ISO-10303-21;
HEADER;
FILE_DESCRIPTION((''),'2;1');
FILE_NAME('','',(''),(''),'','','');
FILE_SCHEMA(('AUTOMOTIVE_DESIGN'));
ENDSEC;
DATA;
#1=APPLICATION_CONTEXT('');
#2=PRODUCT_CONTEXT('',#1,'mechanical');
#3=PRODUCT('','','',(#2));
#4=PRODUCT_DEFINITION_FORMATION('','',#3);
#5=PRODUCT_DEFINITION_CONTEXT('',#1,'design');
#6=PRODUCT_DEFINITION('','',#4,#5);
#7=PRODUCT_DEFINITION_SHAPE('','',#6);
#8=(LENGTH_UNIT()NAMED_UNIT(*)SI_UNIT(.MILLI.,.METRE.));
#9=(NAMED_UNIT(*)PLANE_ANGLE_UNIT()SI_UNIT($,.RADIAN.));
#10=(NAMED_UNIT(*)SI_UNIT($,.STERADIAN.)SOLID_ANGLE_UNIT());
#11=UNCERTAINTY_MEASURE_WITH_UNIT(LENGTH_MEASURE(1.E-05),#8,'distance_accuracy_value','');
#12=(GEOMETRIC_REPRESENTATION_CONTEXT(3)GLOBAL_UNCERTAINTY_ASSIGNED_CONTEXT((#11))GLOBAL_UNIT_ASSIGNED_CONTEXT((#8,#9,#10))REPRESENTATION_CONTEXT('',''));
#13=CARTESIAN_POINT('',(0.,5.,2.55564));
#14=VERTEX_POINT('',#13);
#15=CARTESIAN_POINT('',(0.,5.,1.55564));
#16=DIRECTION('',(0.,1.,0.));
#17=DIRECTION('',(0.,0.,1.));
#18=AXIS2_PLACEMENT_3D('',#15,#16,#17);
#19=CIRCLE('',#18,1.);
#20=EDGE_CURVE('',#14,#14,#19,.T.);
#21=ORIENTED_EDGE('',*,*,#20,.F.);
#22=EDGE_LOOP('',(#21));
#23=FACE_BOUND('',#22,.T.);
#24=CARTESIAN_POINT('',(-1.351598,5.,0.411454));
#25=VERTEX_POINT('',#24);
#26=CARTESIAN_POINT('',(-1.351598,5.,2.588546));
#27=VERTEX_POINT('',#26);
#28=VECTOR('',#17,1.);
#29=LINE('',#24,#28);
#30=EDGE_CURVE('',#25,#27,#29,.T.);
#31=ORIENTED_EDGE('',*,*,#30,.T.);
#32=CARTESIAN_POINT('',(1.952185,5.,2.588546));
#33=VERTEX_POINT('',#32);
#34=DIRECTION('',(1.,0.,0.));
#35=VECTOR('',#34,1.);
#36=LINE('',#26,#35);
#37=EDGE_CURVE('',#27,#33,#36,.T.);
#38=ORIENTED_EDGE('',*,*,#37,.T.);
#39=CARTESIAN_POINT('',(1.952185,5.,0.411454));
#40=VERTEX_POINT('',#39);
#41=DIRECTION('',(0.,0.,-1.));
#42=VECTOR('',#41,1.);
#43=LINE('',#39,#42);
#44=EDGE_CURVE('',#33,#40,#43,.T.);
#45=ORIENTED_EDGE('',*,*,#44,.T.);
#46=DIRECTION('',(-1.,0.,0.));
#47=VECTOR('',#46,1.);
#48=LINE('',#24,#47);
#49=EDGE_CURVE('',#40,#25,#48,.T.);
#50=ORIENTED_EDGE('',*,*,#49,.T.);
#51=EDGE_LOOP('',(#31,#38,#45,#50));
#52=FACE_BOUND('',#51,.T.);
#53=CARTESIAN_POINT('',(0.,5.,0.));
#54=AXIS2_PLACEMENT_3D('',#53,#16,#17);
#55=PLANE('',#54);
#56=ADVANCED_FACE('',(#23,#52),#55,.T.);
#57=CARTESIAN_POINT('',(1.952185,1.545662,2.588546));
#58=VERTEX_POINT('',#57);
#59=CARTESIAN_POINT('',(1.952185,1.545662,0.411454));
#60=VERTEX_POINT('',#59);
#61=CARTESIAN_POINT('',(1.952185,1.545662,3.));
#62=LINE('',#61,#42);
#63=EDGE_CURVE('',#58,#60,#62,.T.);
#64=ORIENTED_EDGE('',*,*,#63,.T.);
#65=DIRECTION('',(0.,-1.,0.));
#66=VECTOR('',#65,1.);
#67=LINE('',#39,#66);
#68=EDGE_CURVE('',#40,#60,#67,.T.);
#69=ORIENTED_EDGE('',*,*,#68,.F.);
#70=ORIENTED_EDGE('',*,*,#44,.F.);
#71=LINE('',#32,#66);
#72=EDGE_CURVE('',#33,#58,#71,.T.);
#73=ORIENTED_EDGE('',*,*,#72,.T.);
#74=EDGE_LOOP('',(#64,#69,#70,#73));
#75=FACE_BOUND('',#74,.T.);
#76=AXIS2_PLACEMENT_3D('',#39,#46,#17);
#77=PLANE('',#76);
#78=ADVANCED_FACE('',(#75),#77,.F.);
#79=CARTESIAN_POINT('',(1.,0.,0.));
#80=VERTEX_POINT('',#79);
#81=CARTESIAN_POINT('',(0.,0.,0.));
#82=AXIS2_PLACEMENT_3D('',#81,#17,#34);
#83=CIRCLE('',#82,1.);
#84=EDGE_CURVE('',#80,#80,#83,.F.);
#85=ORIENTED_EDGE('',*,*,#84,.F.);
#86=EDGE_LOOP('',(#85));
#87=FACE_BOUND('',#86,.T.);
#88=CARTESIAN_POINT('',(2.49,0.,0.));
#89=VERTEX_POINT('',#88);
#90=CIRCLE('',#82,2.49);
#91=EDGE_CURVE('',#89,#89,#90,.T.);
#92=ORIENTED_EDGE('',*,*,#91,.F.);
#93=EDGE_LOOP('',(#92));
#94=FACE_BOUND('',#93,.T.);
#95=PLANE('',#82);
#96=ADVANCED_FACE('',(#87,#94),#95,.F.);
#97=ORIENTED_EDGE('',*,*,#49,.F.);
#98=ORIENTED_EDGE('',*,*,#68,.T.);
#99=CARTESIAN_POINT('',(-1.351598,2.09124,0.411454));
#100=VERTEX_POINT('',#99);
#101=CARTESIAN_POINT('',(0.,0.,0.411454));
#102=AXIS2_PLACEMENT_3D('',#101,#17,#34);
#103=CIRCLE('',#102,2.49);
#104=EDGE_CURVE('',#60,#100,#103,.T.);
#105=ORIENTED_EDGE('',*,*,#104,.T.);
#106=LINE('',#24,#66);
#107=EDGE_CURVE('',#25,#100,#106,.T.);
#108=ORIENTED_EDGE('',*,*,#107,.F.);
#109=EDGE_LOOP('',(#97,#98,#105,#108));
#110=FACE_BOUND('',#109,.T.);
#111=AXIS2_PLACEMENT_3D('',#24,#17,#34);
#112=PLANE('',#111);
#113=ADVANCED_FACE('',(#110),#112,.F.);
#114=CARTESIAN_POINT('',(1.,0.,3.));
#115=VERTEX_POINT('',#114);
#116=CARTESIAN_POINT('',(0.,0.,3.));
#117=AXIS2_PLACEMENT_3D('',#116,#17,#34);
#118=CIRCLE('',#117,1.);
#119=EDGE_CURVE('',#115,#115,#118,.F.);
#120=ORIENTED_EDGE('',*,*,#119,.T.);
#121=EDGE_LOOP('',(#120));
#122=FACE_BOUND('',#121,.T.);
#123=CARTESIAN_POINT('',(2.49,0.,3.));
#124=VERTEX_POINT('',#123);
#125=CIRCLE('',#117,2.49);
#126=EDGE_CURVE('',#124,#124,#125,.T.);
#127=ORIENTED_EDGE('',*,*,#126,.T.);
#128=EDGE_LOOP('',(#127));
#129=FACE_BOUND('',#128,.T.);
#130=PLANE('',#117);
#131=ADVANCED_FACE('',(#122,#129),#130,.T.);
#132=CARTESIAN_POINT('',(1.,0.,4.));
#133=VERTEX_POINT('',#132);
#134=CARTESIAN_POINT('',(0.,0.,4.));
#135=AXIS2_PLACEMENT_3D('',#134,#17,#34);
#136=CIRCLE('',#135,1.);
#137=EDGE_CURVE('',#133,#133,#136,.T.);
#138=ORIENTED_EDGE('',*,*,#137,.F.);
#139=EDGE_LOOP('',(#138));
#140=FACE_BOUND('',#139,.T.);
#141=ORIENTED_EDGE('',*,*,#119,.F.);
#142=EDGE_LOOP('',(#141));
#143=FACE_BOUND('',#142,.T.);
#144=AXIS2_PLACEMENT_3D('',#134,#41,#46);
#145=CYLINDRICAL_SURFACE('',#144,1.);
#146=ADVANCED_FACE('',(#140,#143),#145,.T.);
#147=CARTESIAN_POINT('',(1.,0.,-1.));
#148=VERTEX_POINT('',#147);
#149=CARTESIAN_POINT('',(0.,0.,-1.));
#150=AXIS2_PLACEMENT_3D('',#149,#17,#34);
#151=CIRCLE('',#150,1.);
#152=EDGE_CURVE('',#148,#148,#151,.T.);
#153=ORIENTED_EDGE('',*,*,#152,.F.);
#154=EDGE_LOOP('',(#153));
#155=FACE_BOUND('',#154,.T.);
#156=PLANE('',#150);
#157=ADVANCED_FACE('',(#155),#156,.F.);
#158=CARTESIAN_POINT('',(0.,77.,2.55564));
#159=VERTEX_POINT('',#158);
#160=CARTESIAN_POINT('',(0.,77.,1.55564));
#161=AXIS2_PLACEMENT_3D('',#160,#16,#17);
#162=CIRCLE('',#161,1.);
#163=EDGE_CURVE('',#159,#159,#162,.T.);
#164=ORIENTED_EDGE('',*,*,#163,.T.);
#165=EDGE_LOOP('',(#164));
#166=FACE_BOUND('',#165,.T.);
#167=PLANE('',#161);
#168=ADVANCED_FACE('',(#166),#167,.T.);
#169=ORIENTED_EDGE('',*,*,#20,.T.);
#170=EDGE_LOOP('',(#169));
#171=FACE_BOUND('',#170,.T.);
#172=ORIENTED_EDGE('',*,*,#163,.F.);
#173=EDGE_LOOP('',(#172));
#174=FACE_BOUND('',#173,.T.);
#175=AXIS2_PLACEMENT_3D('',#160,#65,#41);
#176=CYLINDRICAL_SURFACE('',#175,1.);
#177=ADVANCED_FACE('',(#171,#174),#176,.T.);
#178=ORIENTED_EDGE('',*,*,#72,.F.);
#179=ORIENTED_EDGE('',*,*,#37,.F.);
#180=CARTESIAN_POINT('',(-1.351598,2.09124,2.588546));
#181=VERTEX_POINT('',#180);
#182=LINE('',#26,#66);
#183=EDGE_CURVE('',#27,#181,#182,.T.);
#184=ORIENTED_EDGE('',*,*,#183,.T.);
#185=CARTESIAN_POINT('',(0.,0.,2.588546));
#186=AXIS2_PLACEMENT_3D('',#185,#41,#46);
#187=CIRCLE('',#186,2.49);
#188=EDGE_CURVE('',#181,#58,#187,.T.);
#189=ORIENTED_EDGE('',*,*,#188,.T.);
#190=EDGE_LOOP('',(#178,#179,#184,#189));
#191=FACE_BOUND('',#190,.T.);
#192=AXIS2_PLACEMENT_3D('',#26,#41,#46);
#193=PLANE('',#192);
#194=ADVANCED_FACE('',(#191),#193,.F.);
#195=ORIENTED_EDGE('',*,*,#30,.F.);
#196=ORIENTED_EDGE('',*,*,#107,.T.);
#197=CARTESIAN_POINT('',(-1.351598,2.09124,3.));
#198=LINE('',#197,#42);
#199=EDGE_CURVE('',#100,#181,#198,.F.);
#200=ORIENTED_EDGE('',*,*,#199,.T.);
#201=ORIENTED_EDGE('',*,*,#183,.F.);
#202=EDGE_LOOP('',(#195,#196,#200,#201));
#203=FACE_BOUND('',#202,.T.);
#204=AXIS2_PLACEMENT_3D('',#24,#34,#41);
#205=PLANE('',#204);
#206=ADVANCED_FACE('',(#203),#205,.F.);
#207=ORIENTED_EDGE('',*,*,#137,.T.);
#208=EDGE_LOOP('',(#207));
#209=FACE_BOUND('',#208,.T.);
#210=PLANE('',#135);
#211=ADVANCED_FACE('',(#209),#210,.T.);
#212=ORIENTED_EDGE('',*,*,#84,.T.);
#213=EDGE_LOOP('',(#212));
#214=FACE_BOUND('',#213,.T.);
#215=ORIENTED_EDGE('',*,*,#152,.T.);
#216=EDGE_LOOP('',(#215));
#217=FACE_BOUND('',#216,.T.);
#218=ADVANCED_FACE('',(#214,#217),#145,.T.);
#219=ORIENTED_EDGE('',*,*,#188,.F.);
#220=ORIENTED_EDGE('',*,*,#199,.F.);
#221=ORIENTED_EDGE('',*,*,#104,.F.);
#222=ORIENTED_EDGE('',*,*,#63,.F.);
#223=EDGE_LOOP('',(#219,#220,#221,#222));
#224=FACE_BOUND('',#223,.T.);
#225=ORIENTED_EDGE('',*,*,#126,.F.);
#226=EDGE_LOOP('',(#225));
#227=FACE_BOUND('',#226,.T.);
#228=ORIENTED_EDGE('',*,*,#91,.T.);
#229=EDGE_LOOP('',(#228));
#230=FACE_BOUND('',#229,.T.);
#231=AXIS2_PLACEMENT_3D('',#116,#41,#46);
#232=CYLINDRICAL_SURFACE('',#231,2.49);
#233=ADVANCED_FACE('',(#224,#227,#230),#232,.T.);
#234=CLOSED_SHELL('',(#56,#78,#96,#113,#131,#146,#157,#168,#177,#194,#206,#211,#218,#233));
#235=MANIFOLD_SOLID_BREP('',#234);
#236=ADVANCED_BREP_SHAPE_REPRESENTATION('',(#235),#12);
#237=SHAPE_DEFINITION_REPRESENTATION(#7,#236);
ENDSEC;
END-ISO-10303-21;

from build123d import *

# Parameters (mm, degrees)
SKETCH1_R                = 2.49
BOSS_EXTRUDE1_DEPTH      = 3
BOSS_EXTRUDE2_DEPTH      = 1
BOSS_EXTRUDE2_DEPTH_BACK = 4
SKETCH2_R                = 1
SKETCH3_W                = 3.303783413
SKETCH3_H                = 2.177091536
BOSS_EXTRUDE3_DEPTH      = 5
SKETCH4_R                = 1
BOSS_EXTRUDE4_DEPTH      = 72


with BuildPart() as part:
    # Sketch1 → Boss-Extrude1 (new body)
    with BuildSketch(Plane.XY):
        Circle(SKETCH1_R)
    extrude(amount=BOSS_EXTRUDE1_DEPTH)

    # Sketch2 → Boss-Extrude2 (add, two sides: drawn at the far end of the back side and taken through both)
    with BuildSketch(Plane.XY.offset(3).offset(-BOSS_EXTRUDE2_DEPTH_BACK)):
        Circle(SKETCH2_R)
    extrude(amount=BOSS_EXTRUDE2_DEPTH + BOSS_EXTRUDE2_DEPTH_BACK)

    # Sketch3 → Boss-Extrude3 (add)
    with BuildSketch(Plane(origin=(0, 0, 0), x_dir=(1, 0, 0), z_dir=(0, 1, 0))):
        with Locations((0.300293678, -1.5)):
            Rectangle(SKETCH3_W, SKETCH3_H)
    extrude(amount=BOSS_EXTRUDE3_DEPTH)

    # Sketch4 → Boss-Extrude4 (add)
    with BuildSketch(Plane(origin=(0, 5, 0), x_dir=(1, 0, 0), z_dir=(0, 1, 0))):
        with Locations(Location((0, -1.555640041, 0), (0, 0, 270))):
            Circle(SKETCH4_R)
    extrude(amount=BOSS_EXTRUDE4_DEPTH)


solid = part.part
